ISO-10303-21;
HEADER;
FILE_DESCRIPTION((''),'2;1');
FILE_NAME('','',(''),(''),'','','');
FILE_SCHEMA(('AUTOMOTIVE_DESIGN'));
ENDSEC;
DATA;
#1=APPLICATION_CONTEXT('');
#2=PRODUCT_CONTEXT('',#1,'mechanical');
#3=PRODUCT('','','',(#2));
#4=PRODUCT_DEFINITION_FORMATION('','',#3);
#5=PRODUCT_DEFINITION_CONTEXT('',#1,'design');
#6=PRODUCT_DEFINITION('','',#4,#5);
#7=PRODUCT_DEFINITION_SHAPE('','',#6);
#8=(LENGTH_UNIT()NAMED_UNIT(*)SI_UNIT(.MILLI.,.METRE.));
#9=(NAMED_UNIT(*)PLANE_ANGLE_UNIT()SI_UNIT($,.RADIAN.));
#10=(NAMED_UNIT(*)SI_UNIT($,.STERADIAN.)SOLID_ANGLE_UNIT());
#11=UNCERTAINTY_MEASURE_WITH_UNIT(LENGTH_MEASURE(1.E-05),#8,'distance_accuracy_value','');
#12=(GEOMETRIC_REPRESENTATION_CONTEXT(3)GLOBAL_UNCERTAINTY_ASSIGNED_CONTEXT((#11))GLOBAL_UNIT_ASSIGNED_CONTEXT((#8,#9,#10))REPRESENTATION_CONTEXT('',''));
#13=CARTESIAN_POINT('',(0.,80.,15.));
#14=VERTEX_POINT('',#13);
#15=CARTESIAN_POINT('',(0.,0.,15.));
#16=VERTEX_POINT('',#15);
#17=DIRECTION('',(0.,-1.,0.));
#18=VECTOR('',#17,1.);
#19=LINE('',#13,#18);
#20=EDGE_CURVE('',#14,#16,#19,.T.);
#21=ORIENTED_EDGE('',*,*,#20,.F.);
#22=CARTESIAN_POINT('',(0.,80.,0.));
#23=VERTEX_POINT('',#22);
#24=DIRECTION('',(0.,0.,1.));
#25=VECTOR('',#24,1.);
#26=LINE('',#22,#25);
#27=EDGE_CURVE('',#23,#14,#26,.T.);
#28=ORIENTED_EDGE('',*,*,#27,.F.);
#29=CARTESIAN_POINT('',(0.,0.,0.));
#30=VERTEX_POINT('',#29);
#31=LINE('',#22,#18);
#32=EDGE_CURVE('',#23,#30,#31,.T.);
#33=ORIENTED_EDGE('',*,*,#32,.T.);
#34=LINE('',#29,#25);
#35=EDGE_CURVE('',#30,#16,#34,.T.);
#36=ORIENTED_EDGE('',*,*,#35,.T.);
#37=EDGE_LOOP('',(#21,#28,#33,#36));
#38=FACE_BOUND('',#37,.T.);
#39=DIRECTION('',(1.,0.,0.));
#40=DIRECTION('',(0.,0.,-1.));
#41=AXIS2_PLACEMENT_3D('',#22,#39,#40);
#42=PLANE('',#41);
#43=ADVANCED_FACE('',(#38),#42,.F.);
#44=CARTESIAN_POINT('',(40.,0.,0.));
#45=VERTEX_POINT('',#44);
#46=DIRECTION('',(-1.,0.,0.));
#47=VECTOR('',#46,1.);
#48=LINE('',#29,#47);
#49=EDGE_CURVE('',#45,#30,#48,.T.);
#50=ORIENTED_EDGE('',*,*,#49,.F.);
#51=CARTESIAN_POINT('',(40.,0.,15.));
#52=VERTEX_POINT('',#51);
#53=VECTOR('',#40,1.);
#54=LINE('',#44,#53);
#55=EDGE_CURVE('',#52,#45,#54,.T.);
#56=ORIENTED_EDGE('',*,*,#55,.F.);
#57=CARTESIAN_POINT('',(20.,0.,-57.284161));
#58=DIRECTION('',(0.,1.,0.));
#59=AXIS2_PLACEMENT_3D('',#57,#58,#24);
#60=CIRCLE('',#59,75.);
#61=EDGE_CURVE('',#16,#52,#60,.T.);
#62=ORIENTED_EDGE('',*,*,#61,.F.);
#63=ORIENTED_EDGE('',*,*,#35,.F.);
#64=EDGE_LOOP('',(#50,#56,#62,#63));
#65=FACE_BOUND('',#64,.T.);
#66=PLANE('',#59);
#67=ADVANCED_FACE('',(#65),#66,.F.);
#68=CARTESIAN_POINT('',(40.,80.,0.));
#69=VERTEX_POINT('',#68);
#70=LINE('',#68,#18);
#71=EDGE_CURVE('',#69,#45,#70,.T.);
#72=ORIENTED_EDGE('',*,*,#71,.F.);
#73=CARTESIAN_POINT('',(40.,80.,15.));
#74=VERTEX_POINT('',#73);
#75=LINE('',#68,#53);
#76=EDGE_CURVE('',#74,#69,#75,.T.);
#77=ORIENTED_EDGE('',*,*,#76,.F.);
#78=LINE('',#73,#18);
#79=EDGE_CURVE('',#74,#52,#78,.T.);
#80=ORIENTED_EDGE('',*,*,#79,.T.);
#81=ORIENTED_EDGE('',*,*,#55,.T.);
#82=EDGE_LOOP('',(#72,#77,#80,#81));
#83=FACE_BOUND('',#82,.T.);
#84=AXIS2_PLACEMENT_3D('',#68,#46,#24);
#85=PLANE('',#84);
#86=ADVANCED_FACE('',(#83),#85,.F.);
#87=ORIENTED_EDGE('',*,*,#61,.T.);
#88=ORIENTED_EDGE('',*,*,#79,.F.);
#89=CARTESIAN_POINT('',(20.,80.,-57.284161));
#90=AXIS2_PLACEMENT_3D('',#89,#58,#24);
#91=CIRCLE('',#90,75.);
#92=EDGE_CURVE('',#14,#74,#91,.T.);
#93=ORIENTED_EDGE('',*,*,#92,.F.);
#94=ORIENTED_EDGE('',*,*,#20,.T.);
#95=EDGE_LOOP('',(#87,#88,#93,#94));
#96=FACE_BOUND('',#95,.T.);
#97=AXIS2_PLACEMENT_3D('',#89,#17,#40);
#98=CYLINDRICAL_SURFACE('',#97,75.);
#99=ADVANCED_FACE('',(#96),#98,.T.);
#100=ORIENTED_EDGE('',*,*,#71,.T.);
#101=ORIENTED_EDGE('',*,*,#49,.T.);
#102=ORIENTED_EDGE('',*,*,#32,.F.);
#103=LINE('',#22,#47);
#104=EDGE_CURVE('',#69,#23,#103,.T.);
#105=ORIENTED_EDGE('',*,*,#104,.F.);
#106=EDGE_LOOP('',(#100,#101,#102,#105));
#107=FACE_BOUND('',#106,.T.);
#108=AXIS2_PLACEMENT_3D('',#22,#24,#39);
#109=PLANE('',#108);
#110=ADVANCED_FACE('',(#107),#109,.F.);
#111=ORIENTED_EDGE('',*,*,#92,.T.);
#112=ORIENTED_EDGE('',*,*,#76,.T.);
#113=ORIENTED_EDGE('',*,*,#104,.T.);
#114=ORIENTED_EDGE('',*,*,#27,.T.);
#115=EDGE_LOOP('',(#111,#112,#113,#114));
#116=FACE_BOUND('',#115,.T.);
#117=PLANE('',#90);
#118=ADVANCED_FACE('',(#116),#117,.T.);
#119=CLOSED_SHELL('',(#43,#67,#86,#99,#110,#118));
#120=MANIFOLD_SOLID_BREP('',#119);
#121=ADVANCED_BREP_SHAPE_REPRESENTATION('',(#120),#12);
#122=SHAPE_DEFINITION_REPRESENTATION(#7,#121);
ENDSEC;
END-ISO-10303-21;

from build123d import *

# Parameters (mm, degrees)
BOSS_EXTRUDE1_DEPTH = 80


with BuildPart() as part:
    # Sketch1 → Boss-Extrude1 (new body)
    with BuildSketch(Plane(origin=(0, 0, 0), x_dir=(1, 0, 0), z_dir=(0, 1, 0))):
        with BuildLine():
            Line((0, 0), (40, 0))
            Line((40, 0), (40, -15))
            ThreePointArc((40, -15), (20, -17.715838526), (0, -15))
            Line((0, -15), (0, 0))
        make_face()
    extrude(amount=BOSS_EXTRUDE1_DEPTH)


solid = part.part
